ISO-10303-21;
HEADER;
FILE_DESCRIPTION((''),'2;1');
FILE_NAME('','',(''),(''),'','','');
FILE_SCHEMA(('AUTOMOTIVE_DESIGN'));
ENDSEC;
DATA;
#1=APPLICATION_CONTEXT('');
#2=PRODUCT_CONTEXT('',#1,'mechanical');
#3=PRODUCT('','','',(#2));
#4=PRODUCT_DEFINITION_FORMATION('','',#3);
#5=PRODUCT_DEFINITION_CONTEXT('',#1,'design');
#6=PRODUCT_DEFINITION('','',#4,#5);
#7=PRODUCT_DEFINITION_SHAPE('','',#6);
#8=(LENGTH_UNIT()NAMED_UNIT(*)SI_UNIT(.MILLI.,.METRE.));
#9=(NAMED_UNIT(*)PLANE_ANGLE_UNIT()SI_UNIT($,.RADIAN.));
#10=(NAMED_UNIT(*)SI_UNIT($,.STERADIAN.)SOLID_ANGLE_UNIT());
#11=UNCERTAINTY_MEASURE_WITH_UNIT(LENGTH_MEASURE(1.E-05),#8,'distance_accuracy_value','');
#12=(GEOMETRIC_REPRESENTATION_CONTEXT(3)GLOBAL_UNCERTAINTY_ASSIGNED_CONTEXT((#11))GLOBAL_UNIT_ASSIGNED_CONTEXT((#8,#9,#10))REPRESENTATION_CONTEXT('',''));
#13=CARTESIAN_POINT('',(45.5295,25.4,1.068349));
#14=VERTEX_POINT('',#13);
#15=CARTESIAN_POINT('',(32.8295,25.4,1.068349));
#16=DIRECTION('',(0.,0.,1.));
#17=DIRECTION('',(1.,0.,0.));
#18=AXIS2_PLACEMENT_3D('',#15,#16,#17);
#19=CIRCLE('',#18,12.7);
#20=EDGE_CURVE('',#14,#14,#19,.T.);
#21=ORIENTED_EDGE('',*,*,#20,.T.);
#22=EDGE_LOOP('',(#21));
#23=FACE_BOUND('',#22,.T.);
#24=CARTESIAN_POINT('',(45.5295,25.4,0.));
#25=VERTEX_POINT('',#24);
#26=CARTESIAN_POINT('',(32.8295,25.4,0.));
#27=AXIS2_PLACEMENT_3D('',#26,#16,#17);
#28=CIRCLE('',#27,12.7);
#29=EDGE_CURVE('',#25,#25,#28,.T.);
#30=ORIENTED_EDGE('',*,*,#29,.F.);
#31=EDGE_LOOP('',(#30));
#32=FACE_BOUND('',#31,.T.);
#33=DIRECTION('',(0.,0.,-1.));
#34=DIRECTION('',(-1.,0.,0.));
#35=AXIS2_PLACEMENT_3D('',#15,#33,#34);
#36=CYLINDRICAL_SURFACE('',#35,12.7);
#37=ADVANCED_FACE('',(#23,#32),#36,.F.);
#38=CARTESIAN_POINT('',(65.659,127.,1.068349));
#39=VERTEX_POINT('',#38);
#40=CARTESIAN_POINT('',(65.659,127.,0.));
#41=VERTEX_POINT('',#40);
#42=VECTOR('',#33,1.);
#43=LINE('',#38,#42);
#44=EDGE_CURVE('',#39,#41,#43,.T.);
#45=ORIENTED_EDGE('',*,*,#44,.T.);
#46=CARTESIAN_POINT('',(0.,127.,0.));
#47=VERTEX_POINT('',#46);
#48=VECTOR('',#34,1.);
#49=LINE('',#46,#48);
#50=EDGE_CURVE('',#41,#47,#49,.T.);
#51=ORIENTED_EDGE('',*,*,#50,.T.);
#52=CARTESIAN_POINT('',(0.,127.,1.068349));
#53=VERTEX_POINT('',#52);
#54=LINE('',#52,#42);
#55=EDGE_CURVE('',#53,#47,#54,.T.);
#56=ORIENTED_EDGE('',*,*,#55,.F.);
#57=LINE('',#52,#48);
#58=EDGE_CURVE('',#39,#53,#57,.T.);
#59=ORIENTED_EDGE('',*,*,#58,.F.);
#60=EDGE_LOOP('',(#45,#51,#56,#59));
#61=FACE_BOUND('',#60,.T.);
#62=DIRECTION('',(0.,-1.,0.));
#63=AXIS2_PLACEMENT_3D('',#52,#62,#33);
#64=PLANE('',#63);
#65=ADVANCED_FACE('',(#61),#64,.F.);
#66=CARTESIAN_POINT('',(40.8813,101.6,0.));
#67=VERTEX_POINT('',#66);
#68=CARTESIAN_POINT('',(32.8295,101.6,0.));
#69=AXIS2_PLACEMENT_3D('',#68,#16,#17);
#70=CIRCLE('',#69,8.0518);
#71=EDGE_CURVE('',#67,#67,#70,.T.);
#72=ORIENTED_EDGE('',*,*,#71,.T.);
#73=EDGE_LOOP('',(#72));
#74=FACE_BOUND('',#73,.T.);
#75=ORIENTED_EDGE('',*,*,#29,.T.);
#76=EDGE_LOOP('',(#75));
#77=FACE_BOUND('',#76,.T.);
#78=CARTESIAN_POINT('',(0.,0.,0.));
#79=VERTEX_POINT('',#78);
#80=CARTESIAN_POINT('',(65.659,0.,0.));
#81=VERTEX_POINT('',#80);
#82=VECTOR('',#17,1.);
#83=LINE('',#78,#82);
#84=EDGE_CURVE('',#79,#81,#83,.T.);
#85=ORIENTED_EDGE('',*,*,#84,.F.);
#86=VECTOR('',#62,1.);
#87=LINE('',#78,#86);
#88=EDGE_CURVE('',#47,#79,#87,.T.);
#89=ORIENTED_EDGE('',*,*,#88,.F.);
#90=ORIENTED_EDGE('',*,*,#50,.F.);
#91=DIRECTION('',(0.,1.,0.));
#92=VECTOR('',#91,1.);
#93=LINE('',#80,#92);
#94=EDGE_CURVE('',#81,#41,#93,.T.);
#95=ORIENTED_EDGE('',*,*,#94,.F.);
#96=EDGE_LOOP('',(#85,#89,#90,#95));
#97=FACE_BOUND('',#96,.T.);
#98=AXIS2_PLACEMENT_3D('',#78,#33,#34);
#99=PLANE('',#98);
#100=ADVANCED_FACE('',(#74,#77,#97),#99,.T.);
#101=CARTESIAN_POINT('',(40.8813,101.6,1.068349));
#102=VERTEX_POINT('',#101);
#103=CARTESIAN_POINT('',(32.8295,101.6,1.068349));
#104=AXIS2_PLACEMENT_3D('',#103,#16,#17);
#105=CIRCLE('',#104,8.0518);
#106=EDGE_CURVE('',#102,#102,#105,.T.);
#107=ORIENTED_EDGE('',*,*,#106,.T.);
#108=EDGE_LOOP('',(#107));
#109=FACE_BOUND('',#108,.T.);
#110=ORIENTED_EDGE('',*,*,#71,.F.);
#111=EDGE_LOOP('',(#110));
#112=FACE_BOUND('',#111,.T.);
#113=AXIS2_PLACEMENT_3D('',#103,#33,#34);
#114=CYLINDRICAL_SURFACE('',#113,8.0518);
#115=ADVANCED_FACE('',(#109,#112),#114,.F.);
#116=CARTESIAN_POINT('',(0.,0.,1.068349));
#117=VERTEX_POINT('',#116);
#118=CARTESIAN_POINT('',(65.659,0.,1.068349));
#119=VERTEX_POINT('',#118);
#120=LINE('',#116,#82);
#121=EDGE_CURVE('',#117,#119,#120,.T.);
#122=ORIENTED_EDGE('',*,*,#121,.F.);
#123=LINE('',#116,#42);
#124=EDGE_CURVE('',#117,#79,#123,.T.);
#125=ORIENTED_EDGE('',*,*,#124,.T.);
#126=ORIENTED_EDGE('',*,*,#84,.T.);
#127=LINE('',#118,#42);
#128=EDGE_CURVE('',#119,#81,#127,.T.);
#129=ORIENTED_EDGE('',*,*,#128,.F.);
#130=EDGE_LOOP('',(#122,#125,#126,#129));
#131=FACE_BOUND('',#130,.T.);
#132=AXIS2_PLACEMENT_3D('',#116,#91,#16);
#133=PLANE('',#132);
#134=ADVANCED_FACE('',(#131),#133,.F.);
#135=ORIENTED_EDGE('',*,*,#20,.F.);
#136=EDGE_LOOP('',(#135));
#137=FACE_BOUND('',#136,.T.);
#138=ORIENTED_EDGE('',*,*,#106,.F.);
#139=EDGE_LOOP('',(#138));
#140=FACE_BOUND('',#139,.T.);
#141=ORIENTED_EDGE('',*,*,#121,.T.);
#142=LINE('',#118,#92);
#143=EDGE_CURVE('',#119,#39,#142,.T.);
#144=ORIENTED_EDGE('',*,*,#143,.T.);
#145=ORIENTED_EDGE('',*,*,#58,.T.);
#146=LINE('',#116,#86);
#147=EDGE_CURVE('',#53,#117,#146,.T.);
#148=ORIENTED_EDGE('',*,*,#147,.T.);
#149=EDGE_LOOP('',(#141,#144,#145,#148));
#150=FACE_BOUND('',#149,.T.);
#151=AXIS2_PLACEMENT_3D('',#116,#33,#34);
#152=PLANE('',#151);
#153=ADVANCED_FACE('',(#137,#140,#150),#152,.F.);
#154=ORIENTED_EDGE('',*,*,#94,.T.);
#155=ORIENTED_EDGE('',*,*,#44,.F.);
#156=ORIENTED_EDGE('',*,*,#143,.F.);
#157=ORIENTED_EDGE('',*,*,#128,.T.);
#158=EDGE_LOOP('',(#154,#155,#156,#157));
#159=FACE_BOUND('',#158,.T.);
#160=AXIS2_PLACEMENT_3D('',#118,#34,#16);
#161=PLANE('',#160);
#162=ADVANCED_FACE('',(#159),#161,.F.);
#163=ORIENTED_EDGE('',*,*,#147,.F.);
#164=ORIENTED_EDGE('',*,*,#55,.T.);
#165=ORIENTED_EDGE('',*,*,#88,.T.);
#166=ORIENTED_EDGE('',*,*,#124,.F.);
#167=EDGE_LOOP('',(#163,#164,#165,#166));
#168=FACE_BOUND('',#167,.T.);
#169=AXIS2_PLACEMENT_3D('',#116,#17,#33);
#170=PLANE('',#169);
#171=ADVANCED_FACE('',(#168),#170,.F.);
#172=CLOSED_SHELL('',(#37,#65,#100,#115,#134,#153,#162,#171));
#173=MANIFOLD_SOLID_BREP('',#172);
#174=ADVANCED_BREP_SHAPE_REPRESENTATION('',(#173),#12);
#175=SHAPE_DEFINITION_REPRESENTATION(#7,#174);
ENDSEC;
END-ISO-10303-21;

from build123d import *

# Parameters (mm, degrees)
SKETCH1_W           = 65.659
SKETCH1_H           = 127
SKETCH1_R           = 8.0518
SKETCH1_R_2         = 12.7
BOSS_EXTRUDE1_DEPTH = 1.068349106


with BuildPart() as part:
    # Sketch1 → Boss-Extrude1 (new body)
    with BuildSketch(Plane.XY):
        with Locations((32.8295, 63.5)):
            Rectangle(SKETCH1_W, SKETCH1_H)
        with Locations((32.8295, 101.6)):
            Circle(SKETCH1_R, mode=Mode.SUBTRACT)
        with Locations((32.8295, 25.4)):
            Circle(SKETCH1_R_2, mode=Mode.SUBTRACT)
    extrude(amount=BOSS_EXTRUDE1_DEPTH)


solid = part.part
